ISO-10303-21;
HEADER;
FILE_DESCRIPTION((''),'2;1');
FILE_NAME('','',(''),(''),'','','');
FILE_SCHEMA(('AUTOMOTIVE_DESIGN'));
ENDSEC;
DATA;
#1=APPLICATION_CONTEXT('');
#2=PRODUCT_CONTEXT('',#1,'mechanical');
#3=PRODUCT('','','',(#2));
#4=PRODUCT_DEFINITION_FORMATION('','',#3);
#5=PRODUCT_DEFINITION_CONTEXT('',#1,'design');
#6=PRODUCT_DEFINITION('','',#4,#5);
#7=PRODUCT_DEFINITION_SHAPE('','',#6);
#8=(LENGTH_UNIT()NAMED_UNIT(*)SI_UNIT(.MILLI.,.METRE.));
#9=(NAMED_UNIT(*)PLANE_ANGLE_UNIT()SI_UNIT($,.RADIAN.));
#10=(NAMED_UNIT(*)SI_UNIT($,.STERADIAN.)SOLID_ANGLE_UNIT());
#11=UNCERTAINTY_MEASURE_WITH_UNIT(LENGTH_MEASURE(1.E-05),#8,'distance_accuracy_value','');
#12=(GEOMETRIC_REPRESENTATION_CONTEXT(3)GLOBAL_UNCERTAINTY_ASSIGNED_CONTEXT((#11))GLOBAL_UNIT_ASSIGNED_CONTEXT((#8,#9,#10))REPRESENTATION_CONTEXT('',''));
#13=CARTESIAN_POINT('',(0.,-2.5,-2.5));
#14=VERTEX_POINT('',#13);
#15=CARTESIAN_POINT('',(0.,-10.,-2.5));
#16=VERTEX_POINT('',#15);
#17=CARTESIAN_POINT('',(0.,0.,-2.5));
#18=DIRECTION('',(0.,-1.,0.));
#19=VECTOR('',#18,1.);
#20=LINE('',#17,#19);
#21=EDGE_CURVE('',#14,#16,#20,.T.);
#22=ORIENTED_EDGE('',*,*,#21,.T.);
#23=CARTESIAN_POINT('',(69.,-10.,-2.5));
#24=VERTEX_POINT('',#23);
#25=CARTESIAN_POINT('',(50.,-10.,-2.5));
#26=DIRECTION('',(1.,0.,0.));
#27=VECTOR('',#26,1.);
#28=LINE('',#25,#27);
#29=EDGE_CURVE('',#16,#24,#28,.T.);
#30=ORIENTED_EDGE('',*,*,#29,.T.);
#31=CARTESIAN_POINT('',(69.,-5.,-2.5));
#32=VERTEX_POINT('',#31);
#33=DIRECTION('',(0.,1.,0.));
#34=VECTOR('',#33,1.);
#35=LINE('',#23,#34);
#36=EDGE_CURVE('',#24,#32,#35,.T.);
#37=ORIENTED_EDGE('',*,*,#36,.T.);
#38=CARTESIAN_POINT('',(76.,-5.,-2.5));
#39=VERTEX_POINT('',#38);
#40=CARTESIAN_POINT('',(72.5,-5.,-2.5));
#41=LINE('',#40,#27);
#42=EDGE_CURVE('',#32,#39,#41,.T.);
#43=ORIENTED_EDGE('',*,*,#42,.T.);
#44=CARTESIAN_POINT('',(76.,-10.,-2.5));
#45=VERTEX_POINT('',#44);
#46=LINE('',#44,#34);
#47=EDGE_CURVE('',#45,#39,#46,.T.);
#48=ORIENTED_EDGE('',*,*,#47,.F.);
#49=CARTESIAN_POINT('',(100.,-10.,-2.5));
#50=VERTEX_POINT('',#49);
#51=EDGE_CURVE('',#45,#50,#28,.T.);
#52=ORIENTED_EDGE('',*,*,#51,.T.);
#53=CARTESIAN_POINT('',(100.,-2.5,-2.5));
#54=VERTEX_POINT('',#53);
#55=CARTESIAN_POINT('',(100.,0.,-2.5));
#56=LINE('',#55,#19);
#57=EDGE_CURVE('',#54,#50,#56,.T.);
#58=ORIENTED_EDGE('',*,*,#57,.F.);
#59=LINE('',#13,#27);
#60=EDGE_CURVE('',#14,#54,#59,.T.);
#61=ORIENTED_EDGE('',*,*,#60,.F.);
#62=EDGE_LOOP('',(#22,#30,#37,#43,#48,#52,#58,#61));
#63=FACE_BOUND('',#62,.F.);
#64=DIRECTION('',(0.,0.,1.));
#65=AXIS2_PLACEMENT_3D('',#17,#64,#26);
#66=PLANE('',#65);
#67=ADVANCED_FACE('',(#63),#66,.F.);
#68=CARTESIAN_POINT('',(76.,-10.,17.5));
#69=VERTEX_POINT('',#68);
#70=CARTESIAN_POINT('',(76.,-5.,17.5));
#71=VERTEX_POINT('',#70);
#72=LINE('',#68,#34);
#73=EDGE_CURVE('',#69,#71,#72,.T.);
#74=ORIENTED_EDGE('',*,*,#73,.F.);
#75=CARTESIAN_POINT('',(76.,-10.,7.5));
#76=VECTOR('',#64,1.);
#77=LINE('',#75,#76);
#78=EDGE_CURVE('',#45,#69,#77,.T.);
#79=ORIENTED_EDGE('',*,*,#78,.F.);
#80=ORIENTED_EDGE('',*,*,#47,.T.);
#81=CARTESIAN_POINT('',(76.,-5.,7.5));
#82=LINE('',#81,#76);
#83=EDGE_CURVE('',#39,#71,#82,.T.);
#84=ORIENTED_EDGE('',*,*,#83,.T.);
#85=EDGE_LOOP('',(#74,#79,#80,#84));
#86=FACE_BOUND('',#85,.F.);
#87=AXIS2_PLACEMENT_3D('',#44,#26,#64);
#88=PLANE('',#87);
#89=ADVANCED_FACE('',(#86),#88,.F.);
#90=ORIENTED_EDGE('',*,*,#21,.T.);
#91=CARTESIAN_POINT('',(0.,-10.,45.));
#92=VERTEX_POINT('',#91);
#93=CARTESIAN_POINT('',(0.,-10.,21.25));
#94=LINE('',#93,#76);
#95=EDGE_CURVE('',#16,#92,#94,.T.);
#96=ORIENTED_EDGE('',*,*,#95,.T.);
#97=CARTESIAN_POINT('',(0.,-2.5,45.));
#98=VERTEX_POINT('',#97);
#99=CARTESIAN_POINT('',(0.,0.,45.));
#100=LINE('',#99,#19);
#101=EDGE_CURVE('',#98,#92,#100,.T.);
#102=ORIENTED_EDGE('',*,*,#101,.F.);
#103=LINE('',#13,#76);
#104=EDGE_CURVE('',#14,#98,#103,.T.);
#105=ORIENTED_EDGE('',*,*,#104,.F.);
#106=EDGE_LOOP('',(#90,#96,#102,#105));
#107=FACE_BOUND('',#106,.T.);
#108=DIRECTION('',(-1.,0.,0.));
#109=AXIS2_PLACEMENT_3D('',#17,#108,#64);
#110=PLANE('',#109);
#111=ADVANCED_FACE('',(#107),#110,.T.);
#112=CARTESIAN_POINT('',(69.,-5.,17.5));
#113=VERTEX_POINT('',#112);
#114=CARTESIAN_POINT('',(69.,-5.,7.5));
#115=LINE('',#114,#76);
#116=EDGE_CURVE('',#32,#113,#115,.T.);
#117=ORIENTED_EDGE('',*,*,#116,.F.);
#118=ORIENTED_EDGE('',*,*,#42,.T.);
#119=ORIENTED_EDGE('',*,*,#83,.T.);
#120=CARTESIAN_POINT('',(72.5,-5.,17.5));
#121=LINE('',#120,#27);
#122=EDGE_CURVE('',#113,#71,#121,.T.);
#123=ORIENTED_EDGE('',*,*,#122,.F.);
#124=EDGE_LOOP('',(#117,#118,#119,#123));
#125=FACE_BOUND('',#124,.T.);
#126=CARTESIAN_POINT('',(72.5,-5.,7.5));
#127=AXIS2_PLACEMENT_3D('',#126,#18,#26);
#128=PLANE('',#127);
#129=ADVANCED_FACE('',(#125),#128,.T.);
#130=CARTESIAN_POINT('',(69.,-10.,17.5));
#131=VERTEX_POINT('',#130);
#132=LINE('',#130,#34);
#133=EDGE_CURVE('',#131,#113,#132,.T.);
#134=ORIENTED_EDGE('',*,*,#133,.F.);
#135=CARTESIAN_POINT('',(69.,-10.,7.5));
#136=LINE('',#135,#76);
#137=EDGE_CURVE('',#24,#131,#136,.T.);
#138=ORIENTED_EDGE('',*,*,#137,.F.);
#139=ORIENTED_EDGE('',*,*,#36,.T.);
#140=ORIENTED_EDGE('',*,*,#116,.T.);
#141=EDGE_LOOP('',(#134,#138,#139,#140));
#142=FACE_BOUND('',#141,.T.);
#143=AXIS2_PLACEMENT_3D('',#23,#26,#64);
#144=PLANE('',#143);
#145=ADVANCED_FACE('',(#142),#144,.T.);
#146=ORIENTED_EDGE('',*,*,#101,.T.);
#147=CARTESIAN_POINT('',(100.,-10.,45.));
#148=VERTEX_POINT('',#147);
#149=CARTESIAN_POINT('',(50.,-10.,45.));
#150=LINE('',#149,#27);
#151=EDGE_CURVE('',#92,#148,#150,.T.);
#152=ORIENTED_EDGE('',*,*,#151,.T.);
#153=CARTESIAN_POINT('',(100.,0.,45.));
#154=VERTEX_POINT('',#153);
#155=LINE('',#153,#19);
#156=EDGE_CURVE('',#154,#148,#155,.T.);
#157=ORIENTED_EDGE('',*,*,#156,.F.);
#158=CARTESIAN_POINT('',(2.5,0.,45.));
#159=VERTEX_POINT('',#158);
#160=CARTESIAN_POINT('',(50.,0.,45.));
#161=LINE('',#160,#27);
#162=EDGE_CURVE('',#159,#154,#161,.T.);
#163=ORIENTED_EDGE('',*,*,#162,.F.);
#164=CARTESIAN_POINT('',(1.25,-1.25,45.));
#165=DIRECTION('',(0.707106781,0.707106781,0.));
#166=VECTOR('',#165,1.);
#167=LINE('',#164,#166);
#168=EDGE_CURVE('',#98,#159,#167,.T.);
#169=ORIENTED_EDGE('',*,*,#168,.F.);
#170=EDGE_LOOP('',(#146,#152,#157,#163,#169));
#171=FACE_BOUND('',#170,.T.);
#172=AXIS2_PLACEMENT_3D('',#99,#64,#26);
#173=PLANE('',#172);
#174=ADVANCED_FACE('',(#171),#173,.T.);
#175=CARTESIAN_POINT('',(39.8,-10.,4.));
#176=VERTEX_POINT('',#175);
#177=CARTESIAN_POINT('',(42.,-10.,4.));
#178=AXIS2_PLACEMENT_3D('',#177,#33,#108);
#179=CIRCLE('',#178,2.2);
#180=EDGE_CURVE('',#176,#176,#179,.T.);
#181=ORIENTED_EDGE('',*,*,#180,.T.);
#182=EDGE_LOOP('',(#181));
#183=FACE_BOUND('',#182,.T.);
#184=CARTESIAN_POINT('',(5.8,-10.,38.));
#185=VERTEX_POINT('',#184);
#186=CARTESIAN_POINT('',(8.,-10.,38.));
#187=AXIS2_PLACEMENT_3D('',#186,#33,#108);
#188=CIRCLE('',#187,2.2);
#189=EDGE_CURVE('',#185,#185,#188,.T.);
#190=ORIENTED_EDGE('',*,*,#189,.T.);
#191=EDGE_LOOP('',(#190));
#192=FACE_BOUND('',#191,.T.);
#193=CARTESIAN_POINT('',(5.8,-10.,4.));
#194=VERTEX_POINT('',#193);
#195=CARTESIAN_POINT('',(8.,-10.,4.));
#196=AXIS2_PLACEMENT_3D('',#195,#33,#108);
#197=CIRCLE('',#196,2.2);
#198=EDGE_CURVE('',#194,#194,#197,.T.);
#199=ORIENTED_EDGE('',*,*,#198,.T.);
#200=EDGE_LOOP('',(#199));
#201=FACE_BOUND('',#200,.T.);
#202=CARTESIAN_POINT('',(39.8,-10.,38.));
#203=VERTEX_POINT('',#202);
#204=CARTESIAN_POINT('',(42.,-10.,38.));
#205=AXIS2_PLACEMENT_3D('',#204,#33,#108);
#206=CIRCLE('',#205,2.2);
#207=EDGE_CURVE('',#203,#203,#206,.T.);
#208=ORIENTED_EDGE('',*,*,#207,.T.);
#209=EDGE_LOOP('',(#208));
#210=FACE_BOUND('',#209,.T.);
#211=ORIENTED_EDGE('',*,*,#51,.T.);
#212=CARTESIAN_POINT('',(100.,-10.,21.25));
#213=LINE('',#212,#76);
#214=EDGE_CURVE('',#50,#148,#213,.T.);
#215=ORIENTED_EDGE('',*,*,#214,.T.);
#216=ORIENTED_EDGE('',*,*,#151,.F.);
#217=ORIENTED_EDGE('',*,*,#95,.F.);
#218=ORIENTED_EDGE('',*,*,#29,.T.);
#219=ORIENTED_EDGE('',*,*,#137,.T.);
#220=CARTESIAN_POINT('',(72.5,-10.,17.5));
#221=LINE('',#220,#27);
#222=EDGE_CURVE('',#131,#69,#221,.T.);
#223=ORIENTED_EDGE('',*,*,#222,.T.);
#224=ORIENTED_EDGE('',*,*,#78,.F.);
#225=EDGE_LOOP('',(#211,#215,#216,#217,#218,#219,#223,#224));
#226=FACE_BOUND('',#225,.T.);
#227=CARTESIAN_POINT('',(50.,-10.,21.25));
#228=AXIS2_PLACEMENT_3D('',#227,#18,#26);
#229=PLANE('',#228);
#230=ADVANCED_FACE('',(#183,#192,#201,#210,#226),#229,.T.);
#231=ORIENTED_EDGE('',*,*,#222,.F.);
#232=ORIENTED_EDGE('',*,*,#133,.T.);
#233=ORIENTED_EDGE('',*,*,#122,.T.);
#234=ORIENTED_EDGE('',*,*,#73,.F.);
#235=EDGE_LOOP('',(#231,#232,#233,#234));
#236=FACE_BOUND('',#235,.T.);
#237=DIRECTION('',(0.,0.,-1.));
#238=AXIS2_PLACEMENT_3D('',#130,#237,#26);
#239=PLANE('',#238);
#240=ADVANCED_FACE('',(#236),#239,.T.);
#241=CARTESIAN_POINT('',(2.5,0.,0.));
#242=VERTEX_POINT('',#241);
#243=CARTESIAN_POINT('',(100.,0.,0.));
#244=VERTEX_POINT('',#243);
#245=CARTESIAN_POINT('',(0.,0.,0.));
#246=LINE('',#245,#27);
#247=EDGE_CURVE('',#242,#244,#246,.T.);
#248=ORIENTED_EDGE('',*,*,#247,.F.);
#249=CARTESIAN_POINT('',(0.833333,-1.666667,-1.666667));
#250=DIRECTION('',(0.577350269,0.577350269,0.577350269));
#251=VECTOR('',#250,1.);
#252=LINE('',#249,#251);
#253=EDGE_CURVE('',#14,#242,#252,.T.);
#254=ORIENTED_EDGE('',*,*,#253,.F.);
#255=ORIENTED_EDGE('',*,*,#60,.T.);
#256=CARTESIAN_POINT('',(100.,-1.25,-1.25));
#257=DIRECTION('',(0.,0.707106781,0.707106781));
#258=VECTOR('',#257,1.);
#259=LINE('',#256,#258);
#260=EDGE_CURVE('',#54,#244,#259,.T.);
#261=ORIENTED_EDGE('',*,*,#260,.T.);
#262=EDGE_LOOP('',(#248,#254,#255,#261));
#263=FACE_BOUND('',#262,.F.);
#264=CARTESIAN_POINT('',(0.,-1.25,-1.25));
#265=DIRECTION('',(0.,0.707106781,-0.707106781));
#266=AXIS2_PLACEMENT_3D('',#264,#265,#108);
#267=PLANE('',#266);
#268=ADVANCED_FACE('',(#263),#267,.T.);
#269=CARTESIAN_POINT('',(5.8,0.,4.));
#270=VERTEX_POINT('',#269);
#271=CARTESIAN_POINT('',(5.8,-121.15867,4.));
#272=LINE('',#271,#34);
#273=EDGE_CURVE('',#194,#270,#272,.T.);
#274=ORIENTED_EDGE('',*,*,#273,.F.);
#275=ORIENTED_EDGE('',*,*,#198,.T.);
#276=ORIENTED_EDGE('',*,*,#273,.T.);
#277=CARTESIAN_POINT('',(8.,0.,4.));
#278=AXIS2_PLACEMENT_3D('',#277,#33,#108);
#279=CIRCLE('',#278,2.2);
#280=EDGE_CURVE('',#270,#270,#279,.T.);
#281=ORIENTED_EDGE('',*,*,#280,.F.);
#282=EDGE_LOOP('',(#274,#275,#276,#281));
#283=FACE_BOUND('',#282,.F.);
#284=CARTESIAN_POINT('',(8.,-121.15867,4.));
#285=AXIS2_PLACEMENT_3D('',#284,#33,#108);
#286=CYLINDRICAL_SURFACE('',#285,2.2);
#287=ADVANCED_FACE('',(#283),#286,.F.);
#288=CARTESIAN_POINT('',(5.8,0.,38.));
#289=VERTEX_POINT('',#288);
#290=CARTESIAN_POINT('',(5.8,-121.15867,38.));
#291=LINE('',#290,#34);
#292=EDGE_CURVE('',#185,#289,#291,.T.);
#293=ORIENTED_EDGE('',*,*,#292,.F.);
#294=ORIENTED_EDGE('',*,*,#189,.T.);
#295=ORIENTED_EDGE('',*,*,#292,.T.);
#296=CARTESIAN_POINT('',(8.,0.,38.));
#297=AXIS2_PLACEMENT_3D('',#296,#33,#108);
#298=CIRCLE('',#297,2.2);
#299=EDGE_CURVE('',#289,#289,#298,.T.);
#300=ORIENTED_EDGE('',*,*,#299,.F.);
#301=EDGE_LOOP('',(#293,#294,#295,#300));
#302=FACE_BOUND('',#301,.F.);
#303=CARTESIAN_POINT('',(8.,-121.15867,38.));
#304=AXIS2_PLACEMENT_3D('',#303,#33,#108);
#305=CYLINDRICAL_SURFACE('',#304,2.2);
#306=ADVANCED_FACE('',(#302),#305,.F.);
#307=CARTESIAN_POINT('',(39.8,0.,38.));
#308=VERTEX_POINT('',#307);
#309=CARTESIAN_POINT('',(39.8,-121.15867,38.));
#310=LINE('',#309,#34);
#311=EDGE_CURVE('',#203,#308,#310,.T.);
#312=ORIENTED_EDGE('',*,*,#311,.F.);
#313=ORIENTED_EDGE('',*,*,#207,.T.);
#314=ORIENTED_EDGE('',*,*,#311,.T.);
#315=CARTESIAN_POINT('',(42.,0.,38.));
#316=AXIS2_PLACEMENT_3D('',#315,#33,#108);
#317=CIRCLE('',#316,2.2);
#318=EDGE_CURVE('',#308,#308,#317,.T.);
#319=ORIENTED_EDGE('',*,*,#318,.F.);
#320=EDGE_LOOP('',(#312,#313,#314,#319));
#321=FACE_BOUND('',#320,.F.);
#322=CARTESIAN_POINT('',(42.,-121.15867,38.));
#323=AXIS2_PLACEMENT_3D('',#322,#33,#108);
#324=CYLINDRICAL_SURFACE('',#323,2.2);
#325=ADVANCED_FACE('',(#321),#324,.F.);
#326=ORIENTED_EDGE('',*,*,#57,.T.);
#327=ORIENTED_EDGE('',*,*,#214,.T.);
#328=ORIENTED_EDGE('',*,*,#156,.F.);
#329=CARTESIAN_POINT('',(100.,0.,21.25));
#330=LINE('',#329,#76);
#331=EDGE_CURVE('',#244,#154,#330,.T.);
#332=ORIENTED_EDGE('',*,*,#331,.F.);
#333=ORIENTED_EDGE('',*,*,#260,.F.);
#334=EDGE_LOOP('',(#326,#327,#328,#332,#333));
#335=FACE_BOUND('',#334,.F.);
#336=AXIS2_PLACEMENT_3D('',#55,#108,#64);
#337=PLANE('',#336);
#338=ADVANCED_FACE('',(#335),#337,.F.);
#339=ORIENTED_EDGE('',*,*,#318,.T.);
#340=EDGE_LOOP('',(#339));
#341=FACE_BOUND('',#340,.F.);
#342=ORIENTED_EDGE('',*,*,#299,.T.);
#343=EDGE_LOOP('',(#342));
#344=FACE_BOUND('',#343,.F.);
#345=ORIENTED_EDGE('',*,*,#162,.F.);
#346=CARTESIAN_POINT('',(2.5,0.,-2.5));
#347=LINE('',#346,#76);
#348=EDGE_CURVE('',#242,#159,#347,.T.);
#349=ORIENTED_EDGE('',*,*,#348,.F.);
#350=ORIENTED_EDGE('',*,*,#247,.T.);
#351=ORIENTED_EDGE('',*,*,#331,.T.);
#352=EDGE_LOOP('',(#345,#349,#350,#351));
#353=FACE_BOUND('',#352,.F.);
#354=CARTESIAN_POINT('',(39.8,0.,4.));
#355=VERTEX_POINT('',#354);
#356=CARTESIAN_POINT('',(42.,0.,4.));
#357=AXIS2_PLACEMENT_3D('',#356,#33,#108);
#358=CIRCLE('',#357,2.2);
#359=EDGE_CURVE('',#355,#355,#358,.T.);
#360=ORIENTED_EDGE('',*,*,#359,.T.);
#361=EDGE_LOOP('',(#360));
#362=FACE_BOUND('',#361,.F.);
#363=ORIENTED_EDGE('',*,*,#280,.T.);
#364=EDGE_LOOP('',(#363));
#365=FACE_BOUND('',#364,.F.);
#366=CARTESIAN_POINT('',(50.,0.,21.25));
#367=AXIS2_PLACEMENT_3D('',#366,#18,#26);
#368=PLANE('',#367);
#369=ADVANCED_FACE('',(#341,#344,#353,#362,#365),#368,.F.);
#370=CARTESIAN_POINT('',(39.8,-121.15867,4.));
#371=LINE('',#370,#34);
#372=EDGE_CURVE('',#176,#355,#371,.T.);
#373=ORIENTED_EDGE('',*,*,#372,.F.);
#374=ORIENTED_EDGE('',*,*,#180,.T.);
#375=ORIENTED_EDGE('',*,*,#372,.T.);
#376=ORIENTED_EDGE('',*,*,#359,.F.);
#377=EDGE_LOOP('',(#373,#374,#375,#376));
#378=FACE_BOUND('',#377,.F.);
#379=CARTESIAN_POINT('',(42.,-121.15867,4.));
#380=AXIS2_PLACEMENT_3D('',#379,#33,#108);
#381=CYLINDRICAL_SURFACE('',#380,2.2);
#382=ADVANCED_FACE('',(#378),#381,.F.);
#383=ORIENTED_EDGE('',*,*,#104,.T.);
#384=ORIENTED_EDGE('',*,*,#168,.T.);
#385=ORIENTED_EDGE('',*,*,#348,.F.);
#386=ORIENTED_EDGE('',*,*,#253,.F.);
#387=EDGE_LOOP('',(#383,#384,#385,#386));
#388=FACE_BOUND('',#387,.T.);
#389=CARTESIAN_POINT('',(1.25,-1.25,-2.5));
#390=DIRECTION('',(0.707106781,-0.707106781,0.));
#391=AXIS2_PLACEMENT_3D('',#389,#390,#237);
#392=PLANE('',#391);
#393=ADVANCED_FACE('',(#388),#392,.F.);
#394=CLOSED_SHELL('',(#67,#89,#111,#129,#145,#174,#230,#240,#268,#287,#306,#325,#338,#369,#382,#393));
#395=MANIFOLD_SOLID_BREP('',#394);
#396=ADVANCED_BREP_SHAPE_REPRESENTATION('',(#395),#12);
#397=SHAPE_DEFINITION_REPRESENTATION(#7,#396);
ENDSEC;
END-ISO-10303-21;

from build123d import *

# Parameters (mm, degrees)
F0_W     = 100
F0_H     = 47.5
F1_DEPTH = 10
F3_D     = 4.4
F2_W     = 7
F2_H     = 20
F4_DEPTH = 5
F5_SIZE  = 2.5


with BuildPart() as f1:
    # F0 (on Front) → F1 (new body)
    with BuildSketch(Plane.XZ):
        with Locations((50, 21.25)):
            Rectangle(F0_W, F0_H)
    extrude(amount=F1_DEPTH)

    # F3 (through all)
    with Locations(Plane.XZ.offset(10)):
        with Locations((8, 38), (42, 38), (42, 4), (8, 4)):
            Hole(F3_D / 2)

    # F2 (on face) → F4 (cut)
    with BuildSketch(Plane.XZ.offset(10)):
        with Locations((72.5, 7.5)):
            Rectangle(F2_W, F2_H)
    extrude(amount=-F4_DEPTH, mode=Mode.SUBTRACT)

    # F5
    f5_edges = [f1.edges().sort_by_distance(p)[0] for p in [
        (0, 0, 21.25),
        (50, 0, -2.5),
    ]]
    chamfer(f5_edges, length=F5_SIZE)


solid = f1.part
